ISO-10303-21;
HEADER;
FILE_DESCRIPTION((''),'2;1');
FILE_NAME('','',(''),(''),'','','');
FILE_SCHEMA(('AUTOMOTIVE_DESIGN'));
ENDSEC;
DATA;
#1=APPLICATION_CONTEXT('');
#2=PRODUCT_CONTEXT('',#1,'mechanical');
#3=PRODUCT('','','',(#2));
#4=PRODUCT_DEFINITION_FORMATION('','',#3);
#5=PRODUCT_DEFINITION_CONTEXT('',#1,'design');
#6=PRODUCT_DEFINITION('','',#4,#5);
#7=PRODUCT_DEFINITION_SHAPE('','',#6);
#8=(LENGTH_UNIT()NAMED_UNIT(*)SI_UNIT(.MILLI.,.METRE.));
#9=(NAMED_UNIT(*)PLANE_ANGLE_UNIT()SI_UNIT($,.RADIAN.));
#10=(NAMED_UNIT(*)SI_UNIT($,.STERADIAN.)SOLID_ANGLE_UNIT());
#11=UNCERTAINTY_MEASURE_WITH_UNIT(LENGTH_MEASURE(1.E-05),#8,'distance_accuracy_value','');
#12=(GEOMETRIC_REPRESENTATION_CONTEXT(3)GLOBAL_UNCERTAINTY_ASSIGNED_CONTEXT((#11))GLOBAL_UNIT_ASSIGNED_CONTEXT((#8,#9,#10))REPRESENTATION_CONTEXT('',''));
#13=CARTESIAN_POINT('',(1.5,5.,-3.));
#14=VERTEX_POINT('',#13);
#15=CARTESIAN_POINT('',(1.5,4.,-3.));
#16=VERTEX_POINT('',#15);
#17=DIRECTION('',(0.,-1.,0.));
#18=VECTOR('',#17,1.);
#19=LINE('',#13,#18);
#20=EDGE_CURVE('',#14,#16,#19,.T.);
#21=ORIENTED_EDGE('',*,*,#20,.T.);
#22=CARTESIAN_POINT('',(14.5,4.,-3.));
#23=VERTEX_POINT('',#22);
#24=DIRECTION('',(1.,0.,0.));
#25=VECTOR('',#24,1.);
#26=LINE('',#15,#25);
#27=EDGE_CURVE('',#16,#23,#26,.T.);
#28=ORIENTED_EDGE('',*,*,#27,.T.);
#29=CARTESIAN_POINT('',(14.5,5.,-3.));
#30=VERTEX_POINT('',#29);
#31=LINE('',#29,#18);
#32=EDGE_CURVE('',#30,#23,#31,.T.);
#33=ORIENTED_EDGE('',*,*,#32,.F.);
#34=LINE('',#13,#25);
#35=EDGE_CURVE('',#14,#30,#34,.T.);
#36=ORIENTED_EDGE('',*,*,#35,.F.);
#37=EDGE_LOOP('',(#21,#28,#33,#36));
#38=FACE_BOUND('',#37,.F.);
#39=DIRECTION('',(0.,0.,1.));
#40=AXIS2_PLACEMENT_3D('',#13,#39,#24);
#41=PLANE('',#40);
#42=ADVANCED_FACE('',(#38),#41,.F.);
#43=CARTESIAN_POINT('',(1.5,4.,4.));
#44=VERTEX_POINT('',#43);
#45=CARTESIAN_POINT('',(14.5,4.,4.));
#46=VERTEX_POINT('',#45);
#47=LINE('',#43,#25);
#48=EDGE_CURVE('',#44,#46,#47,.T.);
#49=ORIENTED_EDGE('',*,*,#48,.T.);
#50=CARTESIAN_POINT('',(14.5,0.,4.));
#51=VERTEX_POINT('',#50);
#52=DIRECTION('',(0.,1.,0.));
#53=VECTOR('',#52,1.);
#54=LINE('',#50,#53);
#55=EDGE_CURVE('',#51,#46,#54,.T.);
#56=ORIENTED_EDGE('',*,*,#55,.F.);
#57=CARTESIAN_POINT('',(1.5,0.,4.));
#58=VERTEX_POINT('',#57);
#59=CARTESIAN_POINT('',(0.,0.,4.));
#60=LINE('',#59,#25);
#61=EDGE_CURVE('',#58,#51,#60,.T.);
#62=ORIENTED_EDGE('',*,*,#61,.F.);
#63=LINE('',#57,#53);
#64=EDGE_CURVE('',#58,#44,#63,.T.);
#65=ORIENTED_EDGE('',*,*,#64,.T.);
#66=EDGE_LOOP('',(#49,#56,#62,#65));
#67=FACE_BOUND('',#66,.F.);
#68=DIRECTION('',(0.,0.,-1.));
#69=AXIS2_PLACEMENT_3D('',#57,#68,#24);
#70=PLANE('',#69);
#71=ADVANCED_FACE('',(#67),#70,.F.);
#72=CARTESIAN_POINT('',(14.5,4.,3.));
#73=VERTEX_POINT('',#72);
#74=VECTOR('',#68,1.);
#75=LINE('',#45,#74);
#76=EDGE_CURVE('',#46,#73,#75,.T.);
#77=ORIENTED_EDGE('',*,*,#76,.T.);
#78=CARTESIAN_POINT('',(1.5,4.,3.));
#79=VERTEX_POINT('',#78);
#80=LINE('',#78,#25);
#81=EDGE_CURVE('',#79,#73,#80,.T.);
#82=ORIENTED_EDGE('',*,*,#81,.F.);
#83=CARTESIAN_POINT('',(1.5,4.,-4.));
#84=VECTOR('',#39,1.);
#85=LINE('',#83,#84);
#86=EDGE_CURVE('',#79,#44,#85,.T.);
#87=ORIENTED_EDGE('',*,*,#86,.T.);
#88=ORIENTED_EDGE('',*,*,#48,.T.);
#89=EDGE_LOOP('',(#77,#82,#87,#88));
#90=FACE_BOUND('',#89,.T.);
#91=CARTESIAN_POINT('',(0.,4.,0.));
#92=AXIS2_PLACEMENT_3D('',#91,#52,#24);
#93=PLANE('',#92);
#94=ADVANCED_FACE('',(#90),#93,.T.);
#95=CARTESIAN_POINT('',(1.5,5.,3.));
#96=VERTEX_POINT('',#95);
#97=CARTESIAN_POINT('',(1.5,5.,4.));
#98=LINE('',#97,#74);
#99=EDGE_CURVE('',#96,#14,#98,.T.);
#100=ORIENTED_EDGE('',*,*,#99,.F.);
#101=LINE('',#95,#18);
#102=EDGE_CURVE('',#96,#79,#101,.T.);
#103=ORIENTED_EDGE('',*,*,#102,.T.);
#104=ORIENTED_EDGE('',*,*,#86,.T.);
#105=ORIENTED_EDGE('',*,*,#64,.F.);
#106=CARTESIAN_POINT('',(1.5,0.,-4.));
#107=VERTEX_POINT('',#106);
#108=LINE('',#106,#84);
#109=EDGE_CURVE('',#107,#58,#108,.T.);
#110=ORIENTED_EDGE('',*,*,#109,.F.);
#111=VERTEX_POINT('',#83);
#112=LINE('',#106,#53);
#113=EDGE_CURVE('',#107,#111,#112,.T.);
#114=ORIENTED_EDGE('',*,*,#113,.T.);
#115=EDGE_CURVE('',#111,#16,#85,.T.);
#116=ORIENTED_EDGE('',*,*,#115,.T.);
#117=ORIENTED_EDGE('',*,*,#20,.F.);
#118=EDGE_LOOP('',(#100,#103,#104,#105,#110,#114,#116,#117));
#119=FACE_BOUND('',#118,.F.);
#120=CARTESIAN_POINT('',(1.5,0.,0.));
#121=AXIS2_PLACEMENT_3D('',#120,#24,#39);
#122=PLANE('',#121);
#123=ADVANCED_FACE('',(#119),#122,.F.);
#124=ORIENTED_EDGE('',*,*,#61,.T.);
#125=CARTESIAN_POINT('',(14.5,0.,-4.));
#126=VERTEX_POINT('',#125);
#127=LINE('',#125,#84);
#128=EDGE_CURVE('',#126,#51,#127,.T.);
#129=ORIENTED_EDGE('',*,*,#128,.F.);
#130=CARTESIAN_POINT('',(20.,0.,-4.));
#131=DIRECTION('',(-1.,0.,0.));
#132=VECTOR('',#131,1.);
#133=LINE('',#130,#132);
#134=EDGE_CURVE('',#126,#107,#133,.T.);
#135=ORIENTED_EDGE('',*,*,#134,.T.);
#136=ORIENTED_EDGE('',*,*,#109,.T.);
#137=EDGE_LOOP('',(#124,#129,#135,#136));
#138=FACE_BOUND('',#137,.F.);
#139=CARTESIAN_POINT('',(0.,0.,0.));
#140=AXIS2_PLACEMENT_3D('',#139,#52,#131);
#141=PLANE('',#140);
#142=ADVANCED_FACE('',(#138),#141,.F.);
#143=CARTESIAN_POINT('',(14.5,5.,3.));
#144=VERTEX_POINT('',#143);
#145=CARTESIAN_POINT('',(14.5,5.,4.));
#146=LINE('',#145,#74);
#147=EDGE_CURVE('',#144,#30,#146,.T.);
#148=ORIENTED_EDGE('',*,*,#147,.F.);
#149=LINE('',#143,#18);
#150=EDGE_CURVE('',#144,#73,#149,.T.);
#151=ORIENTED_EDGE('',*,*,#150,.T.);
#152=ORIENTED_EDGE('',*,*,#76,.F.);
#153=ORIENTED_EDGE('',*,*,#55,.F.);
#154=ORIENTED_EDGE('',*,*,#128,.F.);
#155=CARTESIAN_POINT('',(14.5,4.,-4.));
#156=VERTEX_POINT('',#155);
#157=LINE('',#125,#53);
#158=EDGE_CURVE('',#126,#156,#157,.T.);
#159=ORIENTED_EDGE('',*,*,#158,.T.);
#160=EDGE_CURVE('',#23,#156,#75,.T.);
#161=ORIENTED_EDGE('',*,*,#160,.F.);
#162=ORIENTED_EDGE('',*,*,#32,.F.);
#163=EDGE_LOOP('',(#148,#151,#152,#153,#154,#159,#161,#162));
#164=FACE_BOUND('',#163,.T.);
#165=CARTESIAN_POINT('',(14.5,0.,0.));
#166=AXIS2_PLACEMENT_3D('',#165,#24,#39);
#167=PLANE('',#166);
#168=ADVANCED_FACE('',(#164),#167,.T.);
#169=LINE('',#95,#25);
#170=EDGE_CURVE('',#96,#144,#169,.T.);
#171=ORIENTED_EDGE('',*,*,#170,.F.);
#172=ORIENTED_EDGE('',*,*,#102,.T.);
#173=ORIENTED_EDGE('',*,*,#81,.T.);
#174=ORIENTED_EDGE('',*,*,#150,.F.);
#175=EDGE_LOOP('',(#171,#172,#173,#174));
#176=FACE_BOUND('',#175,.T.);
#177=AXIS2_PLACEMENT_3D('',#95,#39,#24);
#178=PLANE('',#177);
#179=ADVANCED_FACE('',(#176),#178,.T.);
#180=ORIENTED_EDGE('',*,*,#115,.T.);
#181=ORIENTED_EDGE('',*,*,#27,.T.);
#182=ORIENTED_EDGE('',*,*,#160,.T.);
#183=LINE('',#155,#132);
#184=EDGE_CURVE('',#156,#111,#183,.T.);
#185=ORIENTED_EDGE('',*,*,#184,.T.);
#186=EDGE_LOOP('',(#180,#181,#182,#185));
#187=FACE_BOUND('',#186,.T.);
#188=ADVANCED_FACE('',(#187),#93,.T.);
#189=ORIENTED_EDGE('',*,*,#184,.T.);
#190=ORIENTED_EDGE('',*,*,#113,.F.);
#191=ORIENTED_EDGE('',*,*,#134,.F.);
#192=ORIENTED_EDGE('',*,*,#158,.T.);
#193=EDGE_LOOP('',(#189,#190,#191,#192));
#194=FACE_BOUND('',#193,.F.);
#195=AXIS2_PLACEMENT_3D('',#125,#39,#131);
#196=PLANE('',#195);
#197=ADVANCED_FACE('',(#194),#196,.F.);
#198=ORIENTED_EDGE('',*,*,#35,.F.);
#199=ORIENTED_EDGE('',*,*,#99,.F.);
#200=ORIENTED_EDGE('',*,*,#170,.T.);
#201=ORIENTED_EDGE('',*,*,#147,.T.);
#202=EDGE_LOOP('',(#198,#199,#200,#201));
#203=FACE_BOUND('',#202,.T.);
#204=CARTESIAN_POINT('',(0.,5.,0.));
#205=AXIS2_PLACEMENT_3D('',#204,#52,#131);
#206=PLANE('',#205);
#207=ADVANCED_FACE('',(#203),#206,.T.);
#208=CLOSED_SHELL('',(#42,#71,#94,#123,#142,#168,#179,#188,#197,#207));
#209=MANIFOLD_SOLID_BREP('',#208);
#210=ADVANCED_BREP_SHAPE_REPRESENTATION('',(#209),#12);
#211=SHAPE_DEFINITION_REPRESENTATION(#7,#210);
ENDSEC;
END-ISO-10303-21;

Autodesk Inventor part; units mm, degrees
ref_plane "YZ Plane" through (0, 0, 0) normal (1, 0, 0) x (0, 1, 0)
ref_plane "XZ Plane" through (0, 0, 0) normal (0, 1, 0) x (-1, 0, 0)
ref_plane "XY Plane" through (0, 0, 0) normal (0, 0, 1) x (1, 0, 0)
sketch "Sketch1" plane through (0, 0, 0) normal (0, 1, 0) x (-1, 0, 0)
  line L0 (0, 4) -> (-20, 4)
  line L1 (-20, 4) -> (-20, -4)
  line L2 (-20, -4) -> (0, -4)
  circle A0 centre (-20, 0) radius 4
  circle A1 centre (-20, 0) radius 2.5
  line L3 (-20, -4) -> (-30, -4)
  line L4 (-30, -4) -> (-30, 4)
  line L5 (-30, 4) -> (-20, 4)
  line L6 (-20, 4) -> (-20, -4)
  circle A2 centre (4, 0) radius 4
  circle A3 centre (4, 0) radius 2.5
  line L7 (0, 4) -> (4, 4)
  line L8 (4, -4) -> (0, -4)
  line L9 (0, 0) -> (-1.5, 0)
  line L10 (-1.5, 0) -> (-14.5, 0)
  line L11 (-14.5, 0) -> (-14.5, -4)
  line L12 (-1.5, 0) -> (-1.5, -4)
  line L13 (-1.5, 0) -> (-1.5, 4)
  line L14 (-14.5, 0) -> (-14.5, 4)
  dimension "d0" = 20
  dimension "d1" = 5
  dimension "d2" = 10
  dimension "d3" = 5
  dimension "d4" = 1.5
  dimension "d5" = 13
extrude "Extrusion1" add sketch "Sketch1" along normal blind 5 contours L13 L10 L14 L0 | L12 L2 L11 L10
sketch "Sketch2" plane through (0, 5, 0) normal (0, 1, 0) x (1, 0, 0)
  line L0 (14.5, 4) -> (1.5, 4) projected
  line L1 (1.5, 4) -> (1.5, 3)
  line L2 (1.5, 4) -> (1.5, -4) projected
  line L3 (1.5, 3) -> (1.5, -3)
  line L4 (1.5, 3) -> (14.5, 3)
  line L5 (14.5, 3) -> (14.5, -3)
  line L6 (14.5, -4) -> (14.5, 4) projected
  line L7 (1.5, -3) -> (14.5, -3)
  line L8 (1.5, -4) -> (14.5, -4) projected
  line L9 (14.5, -4) -> (1.5, -4)
  point P0 (0, 0)
  dimension "d8" = 1
  dimension "d9" = 6
extrude "Extrusion2" cut sketch "Sketch2" against normal blind 1 contours L6 L4 L1 L0 | L6 L8 L2 L7
properties part number "sensorMount"
